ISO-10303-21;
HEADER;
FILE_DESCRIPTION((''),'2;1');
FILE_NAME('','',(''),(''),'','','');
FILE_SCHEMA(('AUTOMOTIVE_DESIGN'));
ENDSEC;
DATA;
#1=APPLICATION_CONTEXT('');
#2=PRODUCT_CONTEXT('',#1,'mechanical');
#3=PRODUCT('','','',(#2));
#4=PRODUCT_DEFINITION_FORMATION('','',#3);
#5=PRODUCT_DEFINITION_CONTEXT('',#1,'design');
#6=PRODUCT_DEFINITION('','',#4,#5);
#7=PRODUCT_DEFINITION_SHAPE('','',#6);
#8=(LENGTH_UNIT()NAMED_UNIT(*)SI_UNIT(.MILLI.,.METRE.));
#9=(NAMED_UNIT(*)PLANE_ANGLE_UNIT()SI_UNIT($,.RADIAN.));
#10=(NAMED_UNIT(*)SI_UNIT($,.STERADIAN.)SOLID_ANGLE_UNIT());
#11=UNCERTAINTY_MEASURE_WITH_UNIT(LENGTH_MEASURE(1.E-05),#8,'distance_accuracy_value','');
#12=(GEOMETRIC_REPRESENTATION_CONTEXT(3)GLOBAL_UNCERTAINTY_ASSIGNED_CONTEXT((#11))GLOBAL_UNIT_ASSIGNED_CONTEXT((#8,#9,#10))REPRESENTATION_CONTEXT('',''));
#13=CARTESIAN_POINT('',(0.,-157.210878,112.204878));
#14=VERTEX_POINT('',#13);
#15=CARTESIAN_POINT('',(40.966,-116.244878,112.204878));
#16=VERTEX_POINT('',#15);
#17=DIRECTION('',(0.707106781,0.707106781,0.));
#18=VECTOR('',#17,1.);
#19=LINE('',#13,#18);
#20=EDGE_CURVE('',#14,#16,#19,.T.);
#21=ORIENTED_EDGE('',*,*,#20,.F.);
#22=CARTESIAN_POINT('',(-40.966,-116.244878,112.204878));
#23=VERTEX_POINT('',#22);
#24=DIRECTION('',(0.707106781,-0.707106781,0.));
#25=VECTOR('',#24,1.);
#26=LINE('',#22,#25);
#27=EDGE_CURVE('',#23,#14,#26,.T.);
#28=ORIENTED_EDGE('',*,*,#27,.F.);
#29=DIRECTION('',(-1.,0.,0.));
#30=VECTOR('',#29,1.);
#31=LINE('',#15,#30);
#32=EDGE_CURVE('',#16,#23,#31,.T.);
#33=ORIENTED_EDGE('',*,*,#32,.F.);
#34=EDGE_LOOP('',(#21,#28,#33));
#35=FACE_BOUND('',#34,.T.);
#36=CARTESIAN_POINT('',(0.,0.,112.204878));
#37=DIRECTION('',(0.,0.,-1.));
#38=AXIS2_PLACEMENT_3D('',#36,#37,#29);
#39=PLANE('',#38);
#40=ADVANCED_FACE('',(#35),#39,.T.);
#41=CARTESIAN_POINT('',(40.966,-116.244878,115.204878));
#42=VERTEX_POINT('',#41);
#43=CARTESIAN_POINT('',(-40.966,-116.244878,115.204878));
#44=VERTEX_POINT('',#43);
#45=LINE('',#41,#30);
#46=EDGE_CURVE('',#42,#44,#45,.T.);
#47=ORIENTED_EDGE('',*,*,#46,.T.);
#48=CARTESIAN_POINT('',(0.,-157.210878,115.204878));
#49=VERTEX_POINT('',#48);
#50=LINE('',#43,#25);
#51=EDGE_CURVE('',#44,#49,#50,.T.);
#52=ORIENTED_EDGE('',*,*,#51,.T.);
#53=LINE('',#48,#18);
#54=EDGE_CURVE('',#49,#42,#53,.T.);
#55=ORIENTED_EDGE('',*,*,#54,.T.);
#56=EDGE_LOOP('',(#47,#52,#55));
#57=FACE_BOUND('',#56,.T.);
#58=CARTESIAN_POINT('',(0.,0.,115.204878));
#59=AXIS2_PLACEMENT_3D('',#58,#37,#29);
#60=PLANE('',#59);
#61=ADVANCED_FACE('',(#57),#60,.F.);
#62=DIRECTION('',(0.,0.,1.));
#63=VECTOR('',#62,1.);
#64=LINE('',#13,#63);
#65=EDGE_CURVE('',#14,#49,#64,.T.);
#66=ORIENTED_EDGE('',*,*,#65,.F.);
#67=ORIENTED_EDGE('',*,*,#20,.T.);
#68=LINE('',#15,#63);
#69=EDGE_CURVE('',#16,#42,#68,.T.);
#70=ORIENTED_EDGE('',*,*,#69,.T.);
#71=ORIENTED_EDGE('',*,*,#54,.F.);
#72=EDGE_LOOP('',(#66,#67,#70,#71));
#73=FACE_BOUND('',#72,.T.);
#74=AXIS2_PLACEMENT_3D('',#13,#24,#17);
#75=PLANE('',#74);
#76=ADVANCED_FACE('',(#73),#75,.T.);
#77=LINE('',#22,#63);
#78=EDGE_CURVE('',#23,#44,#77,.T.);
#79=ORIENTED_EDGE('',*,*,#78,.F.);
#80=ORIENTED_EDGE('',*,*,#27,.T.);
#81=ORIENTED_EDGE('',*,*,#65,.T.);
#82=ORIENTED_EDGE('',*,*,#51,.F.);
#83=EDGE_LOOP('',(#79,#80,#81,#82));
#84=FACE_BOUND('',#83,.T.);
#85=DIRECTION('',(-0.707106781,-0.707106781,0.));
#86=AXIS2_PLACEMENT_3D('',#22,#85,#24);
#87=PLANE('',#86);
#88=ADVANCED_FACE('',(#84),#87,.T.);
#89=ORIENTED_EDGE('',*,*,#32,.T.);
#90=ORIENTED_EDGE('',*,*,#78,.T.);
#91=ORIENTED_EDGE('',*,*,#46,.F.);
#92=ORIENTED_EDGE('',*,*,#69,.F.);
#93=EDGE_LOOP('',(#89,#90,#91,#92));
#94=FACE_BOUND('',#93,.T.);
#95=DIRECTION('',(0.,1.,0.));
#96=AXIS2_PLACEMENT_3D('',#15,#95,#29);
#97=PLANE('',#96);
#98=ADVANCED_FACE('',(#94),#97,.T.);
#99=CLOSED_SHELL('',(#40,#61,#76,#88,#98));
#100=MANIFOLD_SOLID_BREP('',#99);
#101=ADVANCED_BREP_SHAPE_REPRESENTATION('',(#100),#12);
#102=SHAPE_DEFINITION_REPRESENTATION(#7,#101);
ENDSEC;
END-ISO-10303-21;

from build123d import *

# Parameters (mm, degrees)
BOSS_EXTRUDE1_DEPTH = 1.5


with BuildPart() as part:
    # Sketch1 → Boss-Extrude1 (new body, symmetric)
    with BuildSketch(Plane.XY.offset(113.704878)):
        Polygon((40.966000127, -116.244878), (-40.966000127, -116.244878), (0, -157.210878127), align=None)
    extrude(amount=BOSS_EXTRUDE1_DEPTH, both=True)


solid = part.part
